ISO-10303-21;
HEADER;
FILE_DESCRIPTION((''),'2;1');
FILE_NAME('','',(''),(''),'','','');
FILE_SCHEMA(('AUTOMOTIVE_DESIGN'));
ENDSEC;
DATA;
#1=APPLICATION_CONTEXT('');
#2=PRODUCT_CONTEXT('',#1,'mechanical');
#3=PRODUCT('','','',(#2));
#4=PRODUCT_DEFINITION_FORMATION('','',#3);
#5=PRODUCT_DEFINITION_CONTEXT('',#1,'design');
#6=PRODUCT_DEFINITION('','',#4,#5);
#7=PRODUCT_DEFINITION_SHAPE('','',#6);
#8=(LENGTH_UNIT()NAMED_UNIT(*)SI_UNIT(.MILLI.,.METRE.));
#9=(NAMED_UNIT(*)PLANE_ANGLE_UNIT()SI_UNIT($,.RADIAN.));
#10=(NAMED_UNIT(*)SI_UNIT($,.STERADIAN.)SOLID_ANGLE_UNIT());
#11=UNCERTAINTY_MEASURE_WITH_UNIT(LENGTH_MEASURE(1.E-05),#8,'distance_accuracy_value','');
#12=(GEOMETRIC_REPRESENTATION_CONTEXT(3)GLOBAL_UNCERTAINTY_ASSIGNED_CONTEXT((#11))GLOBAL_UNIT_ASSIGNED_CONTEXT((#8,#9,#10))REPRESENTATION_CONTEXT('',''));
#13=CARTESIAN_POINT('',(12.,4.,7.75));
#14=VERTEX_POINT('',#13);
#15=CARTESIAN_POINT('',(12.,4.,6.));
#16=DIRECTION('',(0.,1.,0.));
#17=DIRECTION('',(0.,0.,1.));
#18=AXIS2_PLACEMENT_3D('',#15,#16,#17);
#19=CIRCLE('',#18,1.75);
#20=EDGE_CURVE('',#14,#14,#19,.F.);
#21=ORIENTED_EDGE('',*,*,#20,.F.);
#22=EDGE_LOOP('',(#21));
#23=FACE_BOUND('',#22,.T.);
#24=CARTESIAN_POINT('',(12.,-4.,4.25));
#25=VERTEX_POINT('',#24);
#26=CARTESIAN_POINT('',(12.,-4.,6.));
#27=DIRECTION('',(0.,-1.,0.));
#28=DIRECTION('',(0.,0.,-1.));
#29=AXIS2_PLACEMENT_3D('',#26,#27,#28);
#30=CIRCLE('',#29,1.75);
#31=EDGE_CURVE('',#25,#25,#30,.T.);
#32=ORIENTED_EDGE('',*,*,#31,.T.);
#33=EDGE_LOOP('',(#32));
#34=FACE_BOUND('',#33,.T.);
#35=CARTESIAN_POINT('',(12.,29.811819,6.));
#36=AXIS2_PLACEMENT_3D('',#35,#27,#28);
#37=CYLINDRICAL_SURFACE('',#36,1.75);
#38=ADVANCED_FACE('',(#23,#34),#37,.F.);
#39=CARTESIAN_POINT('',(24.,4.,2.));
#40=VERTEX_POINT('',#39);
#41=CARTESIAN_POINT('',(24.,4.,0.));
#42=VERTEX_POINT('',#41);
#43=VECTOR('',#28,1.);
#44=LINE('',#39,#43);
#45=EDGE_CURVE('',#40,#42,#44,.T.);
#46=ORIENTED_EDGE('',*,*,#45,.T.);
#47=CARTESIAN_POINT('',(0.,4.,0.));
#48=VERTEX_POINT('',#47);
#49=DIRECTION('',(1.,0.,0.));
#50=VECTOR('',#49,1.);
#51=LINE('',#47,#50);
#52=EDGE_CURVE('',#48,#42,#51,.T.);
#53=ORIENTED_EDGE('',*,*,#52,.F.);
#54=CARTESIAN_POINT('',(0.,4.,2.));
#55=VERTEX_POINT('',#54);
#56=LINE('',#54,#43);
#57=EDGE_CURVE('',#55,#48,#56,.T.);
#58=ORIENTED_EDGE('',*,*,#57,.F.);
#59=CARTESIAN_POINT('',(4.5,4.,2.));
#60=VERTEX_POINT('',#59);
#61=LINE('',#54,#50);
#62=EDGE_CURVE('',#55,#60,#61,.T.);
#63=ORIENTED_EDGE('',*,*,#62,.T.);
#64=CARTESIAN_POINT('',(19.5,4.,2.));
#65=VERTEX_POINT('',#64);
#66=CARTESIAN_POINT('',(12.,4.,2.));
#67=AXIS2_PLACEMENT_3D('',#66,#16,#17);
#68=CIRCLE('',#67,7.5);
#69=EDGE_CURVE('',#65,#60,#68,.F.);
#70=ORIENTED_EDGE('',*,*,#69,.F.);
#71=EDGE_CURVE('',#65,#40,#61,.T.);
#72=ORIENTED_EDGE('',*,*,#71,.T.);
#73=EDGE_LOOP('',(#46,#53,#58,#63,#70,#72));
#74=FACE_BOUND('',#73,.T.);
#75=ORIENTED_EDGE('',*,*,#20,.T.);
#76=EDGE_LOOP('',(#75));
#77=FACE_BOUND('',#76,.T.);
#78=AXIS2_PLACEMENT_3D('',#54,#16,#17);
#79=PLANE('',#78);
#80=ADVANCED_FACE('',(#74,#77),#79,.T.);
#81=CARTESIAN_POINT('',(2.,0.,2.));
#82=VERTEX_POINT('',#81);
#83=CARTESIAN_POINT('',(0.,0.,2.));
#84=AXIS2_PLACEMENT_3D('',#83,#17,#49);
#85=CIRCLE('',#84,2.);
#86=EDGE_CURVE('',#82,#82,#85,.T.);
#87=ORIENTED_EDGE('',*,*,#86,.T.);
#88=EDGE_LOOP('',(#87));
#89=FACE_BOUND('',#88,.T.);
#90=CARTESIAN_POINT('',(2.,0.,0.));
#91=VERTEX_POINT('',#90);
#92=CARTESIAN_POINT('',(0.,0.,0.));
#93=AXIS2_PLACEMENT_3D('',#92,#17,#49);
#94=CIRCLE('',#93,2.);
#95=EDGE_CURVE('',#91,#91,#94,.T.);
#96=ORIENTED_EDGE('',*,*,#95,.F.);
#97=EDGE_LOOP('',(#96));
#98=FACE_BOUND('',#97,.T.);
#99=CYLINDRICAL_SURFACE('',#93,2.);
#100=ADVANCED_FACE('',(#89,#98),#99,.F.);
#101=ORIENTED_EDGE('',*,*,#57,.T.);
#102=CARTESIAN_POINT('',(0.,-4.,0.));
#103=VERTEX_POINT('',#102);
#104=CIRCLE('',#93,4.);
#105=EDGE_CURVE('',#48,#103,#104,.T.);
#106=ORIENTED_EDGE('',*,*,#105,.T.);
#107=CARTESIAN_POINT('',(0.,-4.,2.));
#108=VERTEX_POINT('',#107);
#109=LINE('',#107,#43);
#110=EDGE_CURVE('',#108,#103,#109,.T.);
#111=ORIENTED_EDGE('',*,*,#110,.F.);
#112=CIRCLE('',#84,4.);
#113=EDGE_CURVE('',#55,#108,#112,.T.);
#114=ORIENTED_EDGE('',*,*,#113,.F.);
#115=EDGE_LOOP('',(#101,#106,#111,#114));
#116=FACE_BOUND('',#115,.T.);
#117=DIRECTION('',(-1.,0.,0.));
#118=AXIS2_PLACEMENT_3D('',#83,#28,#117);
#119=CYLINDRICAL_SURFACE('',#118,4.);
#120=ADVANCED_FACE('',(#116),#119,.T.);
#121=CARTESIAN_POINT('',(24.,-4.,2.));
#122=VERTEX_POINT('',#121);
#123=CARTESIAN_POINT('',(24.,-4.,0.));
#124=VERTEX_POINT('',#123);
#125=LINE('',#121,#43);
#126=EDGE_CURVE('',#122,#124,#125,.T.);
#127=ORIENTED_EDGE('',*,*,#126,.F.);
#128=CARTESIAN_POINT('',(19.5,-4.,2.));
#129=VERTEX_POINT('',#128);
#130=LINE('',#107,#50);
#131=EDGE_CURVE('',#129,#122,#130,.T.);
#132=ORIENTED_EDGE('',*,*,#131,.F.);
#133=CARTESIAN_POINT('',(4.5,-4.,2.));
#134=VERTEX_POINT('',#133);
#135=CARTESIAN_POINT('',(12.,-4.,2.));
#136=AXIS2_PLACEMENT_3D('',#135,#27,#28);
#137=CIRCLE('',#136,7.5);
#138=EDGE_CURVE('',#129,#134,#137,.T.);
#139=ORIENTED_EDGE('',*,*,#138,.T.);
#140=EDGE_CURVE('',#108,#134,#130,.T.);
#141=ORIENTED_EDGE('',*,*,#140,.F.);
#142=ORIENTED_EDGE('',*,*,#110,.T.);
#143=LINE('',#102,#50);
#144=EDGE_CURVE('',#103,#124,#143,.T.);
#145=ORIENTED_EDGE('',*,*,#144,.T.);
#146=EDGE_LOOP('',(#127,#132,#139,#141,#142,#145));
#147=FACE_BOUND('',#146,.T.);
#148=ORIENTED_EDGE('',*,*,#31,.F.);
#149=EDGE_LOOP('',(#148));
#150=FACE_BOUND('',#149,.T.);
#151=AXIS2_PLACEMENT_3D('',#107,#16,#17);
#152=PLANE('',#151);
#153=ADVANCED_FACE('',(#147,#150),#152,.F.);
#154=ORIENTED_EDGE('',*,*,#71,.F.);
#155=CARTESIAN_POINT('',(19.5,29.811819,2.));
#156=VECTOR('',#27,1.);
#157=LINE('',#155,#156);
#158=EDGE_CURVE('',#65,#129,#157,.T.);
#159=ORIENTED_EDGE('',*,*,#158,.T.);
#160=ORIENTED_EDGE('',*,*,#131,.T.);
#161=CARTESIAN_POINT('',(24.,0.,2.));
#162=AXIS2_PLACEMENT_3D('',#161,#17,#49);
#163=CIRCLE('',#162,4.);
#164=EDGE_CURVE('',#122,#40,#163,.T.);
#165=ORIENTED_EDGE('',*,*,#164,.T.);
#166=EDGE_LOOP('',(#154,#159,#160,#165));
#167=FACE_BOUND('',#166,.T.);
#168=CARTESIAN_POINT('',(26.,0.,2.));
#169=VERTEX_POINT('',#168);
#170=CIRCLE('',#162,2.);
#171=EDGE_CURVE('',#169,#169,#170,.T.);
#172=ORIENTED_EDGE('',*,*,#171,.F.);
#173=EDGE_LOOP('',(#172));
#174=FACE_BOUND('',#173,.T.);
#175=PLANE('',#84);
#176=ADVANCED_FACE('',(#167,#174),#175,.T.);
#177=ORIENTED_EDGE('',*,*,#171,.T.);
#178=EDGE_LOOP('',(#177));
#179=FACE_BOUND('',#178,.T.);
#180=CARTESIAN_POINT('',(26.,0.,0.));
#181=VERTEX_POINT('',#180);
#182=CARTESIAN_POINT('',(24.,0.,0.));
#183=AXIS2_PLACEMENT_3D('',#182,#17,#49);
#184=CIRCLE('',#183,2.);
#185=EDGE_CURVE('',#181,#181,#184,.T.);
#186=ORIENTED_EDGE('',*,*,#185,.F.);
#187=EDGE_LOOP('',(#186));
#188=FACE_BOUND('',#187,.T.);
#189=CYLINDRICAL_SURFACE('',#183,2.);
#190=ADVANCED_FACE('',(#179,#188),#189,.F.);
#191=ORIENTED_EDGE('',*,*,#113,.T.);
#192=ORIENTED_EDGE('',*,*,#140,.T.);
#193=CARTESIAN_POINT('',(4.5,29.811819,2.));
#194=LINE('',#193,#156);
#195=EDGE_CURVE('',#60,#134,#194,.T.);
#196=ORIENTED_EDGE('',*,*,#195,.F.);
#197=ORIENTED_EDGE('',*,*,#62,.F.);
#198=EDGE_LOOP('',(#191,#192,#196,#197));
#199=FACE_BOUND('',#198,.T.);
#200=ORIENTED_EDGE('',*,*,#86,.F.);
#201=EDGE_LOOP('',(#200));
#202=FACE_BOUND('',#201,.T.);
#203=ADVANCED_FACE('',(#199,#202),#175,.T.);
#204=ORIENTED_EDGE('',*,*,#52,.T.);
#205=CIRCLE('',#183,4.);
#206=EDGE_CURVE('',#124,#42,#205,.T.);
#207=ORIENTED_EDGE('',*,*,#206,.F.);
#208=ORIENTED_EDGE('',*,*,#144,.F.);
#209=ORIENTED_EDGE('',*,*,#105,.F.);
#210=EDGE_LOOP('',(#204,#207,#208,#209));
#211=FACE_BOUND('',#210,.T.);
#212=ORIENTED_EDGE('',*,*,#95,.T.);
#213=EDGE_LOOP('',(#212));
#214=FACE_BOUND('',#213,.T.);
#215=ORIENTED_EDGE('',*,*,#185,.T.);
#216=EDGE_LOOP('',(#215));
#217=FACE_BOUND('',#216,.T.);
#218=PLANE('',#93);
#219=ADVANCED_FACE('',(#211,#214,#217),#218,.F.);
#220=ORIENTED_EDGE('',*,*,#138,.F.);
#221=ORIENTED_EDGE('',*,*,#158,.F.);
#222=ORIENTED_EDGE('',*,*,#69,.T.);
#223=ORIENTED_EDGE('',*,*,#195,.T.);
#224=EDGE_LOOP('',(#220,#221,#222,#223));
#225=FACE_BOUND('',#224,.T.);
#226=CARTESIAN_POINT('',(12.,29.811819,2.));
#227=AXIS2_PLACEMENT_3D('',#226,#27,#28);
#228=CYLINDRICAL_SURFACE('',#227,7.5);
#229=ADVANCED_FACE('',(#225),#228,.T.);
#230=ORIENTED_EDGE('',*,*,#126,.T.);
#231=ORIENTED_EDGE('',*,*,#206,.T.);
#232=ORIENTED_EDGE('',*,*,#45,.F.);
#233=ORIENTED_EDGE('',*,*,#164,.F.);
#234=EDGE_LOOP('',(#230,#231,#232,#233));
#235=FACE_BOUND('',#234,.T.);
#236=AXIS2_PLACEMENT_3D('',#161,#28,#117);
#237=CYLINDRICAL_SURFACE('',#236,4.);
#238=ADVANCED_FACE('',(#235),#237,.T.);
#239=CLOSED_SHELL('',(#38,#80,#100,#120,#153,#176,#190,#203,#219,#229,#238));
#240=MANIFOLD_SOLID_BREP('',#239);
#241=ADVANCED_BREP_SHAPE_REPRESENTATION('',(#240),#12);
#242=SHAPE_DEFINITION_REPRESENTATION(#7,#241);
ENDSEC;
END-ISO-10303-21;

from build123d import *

# Parameters (mm, degrees)
BOSS_EXTRUDE1_DEPTH = 2
SKETCH2_R           = 1.75
BOSS_EXTRUDE2_DEPTH = 8
SKETCH6_R           = 2
CUT_EXTRUDE1_DEPTH  = 30.261749777


with BuildPart() as part:
    # Sketch1 → Boss-Extrude1 (new body)
    with BuildSketch(Plane.XY):
        with BuildLine():
            ThreePointArc((4, 0), (2.828427125, 2.828427125), (0, 4))
            Line((0, 4), (0, -4))
            ThreePointArc((0, -4), (2.828427125, -2.828427125), (4, 0))
        make_face()
        with BuildLine():
            Line((0, -4), (0, 4))
            ThreePointArc((0, 4), (-4, 0), (0, -4))
        make_face()
        with BuildLine():
            ThreePointArc((4, 0), (2.828427125, 2.828427125), (0, 4))
            Line((0, 4), (0, -4))
            ThreePointArc((0, -4), (2.828427125, -2.828427125), (4, 0))
        make_face()
        with BuildLine():
            Line((0, -4), (0, 4))
            ThreePointArc((0, 4), (-4, 0), (0, -4))
        make_face()
        with BuildLine():
            Line((24, 4), (0, 4))
            ThreePointArc((0, 4), (2.828427125, 2.828427125), (4, 0))
            ThreePointArc((4, 0), (2.828427125, -2.828427125), (0, -4))
            Line((0, -4), (24, -4))
            ThreePointArc((24, -4), (20, 0), (24, 4))
        make_face()
        with BuildLine():
            ThreePointArc((28, 0), (26.828427125, 2.828427125), (24, 4))
            Line((24, 4), (24, -4))
            ThreePointArc((24, -4), (26.828427125, -2.828427125), (28, 0))
        make_face()
        with BuildLine():
            Line((24, -4), (24, 4))
            ThreePointArc((24, 4), (20, 0), (24, -4))
        make_face()
        with BuildLine():
            ThreePointArc((28, 0), (26.828427125, 2.828427125), (24, 4))
            Line((24, 4), (24, -4))
            ThreePointArc((24, -4), (26.828427125, -2.828427125), (28, 0))
        make_face()
        with BuildLine():
            Line((24, -4), (24, 4))
            ThreePointArc((24, 4), (20, 0), (24, -4))
        make_face()
    extrude(amount=BOSS_EXTRUDE1_DEPTH)

    # Sketch2 → Boss-Extrude2 (add)
    with BuildSketch(Plane.XZ.offset(4)):
        with BuildLine():
            Line((4.5, 2), (19.5, 2))
            ThreePointArc((19.5, 2), (12, 9.5), (4.5, 2))
        make_face()
        with Locations(Location((12, 6, 0), (0, 0, 270))):
            Circle(SKETCH2_R, mode=Mode.SUBTRACT)
    extrude(amount=-BOSS_EXTRUDE2_DEPTH)

    # Sketch6 → Cut-Extrude1 (cut, through all)
    with BuildSketch(Plane.XY.offset(2)):
        Circle(SKETCH6_R)
        with Locations((24, 0)):
            Circle(SKETCH6_R)
    extrude(amount=-CUT_EXTRUDE1_DEPTH, mode=Mode.SUBTRACT)


solid = part.part
